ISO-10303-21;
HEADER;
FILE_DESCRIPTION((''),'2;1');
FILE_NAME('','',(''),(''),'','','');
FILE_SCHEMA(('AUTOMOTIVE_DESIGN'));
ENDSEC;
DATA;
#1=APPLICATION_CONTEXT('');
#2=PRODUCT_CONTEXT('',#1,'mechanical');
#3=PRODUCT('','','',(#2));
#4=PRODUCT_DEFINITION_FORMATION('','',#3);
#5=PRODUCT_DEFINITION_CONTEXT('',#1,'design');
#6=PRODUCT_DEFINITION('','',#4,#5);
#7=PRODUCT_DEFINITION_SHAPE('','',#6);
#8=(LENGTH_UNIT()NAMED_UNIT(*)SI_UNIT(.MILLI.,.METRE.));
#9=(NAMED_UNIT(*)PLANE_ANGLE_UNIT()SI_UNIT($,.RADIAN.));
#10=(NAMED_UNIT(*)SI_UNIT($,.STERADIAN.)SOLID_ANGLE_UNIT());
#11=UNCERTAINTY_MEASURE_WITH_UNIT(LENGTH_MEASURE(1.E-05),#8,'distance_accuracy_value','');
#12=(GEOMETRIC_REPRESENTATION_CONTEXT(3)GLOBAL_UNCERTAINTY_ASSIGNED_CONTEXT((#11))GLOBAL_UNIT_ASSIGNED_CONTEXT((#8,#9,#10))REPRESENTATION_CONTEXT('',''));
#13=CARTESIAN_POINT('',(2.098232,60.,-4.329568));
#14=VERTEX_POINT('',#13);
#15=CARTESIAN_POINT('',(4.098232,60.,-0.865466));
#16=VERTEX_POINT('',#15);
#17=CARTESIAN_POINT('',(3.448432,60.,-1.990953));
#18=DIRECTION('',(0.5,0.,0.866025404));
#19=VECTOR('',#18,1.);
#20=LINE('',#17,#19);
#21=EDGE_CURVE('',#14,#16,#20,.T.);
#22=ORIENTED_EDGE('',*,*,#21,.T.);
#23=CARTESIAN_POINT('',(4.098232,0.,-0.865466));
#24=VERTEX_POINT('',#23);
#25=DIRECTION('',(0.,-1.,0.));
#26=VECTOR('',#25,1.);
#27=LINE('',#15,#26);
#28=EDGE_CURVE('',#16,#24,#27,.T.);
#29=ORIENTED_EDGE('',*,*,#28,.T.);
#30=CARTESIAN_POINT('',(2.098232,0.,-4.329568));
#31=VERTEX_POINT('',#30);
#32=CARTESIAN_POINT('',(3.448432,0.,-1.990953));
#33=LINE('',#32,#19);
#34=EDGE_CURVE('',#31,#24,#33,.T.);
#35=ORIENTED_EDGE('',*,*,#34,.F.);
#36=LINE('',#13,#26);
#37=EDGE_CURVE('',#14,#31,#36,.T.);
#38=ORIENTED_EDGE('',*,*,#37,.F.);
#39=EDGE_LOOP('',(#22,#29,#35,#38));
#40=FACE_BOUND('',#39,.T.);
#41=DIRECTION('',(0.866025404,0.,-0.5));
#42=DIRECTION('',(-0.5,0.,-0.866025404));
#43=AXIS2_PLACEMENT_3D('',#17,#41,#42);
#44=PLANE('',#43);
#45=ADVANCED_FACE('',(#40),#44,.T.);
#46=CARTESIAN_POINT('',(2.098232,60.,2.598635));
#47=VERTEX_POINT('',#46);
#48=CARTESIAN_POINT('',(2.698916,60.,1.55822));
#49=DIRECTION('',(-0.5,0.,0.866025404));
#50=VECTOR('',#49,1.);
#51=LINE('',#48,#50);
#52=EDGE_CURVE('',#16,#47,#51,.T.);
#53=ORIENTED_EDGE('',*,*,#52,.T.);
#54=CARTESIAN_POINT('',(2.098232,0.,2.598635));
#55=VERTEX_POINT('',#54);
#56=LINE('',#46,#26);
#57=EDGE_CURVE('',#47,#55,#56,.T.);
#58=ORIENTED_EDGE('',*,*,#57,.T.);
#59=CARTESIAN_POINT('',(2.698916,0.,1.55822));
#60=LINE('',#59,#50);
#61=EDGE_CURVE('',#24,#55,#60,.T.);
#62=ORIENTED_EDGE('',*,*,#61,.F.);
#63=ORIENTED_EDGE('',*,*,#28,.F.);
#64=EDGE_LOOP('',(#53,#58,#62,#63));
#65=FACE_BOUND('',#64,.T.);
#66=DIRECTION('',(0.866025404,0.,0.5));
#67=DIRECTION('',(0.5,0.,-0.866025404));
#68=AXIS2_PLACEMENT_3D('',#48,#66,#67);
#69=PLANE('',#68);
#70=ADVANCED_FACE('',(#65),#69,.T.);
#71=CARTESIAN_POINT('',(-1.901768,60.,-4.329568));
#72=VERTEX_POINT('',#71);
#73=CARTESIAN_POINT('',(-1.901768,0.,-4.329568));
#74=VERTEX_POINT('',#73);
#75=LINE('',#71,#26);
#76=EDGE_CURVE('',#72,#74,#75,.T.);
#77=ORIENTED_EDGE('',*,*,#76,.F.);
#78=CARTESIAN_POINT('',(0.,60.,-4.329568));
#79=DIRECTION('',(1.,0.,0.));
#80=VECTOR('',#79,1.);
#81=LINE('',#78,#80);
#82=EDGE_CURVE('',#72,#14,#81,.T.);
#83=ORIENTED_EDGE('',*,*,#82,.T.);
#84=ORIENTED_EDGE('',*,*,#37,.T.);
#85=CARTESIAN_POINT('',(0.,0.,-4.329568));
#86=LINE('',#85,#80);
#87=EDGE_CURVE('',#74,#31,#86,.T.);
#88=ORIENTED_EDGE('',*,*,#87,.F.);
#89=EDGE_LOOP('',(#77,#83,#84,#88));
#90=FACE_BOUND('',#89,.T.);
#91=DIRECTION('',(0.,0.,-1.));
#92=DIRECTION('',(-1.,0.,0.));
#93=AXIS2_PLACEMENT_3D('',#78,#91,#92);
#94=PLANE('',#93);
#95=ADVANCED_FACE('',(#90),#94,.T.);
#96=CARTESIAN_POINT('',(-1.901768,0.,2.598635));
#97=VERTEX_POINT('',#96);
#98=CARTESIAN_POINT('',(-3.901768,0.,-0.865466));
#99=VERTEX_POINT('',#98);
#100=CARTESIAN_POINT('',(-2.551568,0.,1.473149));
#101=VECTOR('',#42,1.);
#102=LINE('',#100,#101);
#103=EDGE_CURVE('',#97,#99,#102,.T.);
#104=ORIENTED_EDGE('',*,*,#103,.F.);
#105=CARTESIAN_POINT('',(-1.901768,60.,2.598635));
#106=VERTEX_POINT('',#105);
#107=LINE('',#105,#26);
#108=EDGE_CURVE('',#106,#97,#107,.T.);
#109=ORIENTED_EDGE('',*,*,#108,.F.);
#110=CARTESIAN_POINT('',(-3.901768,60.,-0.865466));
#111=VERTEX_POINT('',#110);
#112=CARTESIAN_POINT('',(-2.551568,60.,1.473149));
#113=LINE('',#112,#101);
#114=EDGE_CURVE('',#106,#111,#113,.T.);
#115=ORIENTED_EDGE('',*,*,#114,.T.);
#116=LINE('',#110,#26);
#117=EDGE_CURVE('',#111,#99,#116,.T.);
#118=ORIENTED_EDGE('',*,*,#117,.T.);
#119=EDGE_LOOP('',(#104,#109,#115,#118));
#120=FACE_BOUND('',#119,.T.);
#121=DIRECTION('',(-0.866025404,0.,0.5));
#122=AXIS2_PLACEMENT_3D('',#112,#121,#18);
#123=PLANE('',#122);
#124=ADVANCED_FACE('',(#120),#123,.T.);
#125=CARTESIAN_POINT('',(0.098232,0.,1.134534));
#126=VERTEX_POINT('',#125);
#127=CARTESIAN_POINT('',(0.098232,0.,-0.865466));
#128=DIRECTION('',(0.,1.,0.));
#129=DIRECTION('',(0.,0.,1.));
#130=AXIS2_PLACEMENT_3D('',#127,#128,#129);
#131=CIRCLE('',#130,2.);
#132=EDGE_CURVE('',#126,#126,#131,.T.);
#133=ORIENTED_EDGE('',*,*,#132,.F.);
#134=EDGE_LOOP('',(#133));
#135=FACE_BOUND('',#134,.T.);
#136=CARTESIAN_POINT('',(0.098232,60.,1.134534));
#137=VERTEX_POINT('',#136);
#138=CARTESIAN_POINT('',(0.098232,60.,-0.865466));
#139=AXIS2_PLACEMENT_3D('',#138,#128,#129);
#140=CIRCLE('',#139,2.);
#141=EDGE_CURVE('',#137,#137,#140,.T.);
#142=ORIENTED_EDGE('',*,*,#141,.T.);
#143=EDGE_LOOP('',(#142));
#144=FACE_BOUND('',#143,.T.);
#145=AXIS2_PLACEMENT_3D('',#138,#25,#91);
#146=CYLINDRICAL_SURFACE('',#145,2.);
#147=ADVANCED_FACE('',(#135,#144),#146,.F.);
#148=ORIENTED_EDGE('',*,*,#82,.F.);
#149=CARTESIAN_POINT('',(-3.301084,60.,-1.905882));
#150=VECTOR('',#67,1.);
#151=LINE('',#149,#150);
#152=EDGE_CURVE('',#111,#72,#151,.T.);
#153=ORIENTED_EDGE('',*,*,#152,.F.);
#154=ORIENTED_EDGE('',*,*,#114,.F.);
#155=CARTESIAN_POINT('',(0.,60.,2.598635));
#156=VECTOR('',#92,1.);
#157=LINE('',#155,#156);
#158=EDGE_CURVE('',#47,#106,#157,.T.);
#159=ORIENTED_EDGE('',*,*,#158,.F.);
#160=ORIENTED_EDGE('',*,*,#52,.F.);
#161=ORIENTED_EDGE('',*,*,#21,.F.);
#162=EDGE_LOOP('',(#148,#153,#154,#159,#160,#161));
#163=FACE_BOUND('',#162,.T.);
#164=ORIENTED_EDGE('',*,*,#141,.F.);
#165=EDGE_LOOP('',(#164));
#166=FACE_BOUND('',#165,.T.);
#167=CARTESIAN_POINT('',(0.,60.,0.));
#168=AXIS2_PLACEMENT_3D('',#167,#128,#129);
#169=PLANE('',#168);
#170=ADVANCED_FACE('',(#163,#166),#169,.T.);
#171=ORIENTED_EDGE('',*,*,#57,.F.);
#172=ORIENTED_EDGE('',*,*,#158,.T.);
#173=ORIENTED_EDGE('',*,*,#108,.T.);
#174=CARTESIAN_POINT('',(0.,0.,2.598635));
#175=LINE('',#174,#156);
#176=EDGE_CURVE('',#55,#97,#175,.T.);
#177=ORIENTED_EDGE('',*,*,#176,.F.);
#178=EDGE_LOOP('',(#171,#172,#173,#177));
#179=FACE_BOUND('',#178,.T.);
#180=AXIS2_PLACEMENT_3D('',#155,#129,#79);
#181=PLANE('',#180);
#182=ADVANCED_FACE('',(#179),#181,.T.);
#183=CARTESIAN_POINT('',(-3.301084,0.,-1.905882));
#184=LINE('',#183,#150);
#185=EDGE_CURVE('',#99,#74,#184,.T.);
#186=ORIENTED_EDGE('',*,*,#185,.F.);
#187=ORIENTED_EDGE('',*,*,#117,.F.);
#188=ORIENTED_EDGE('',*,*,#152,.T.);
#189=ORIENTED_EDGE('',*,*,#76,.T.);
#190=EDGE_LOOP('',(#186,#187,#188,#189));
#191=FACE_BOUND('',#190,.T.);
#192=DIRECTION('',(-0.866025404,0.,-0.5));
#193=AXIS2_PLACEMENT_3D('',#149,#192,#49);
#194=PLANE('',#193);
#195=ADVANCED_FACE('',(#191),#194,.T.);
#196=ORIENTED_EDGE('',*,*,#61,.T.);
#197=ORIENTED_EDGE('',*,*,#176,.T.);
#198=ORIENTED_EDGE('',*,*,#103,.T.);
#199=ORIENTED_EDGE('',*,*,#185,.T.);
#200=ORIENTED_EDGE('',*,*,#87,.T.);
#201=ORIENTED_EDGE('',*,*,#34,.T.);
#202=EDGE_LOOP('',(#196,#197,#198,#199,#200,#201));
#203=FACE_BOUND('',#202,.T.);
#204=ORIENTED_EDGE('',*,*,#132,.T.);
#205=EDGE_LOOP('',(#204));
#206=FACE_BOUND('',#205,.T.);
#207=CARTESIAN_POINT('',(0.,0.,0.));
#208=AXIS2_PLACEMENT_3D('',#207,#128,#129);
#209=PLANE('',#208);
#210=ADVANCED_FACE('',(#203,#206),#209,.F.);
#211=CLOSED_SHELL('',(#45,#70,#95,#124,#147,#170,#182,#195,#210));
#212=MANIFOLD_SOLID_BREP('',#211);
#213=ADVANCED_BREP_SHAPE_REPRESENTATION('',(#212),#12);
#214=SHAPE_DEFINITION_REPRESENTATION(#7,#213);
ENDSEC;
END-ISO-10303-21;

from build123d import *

# Parameters (mm, degrees)
EXTRUDE_1_DEPTH = 60


with BuildPart() as part:
    # 草图1 → 凸台-拉伸1 (new body)
    with BuildSketch(Plane(origin=(0, 0, 0), x_dir=(1, 0, 0), z_dir=(0, 1, 0))):
        with BuildLine():
            Line((2.09823197, 4.329567776), (-1.90176803, 4.329567776))
            Line((-1.90176803, 4.329567776), (-0.90176803, 2.597516968))
            ThreePointArc((-0.90176803, 2.597516968), (1.09823197, 2.597516968), (2.09823197, 0.865466161))
            Line((2.09823197, 0.865466161), (4.09823197, 0.865466161))
            Line((4.09823197, 0.865466161), (2.09823197, 4.329567776))
        make_face()
        with BuildLine():
            Line((-0.90176803, 2.597516968), (-1.90176803, 4.329567776))
            Line((-1.90176803, 4.329567776), (-3.90176803, 0.865466161))
            Line((-3.90176803, 0.865466161), (-1.90176803, 0.865466161))
            ThreePointArc((-1.90176803, 0.865466161), (-1.633818837, 1.865466161), (-0.90176803, 2.597516968))
        make_face()
        with BuildLine():
            Line((-1.90176803, 0.865466161), (-3.90176803, 0.865466161))
            Line((-3.90176803, 0.865466161), (-1.90176803, -2.598635455))
            Line((-1.90176803, -2.598635455), (2.09823197, -2.598635455))
            Line((2.09823197, -2.598635455), (1.09823197, -0.866584647))
            ThreePointArc((1.09823197, -0.866584647), (-0.90176803, -0.866584647), (-1.90176803, 0.865466161))
        make_face()
        with BuildLine():
            Line((2.09823197, -2.598635455), (4.09823197, 0.865466161))
            Line((4.09823197, 0.865466161), (2.09823197, 0.865466161))
            ThreePointArc((2.09823197, 0.865466161), (1.830282778, -0.134533839), (1.09823197, -0.866584647))
            Line((1.09823197, -0.866584647), (2.09823197, -2.598635455))
        make_face()
    extrude(amount=EXTRUDE_1_DEPTH)


solid = part.part
